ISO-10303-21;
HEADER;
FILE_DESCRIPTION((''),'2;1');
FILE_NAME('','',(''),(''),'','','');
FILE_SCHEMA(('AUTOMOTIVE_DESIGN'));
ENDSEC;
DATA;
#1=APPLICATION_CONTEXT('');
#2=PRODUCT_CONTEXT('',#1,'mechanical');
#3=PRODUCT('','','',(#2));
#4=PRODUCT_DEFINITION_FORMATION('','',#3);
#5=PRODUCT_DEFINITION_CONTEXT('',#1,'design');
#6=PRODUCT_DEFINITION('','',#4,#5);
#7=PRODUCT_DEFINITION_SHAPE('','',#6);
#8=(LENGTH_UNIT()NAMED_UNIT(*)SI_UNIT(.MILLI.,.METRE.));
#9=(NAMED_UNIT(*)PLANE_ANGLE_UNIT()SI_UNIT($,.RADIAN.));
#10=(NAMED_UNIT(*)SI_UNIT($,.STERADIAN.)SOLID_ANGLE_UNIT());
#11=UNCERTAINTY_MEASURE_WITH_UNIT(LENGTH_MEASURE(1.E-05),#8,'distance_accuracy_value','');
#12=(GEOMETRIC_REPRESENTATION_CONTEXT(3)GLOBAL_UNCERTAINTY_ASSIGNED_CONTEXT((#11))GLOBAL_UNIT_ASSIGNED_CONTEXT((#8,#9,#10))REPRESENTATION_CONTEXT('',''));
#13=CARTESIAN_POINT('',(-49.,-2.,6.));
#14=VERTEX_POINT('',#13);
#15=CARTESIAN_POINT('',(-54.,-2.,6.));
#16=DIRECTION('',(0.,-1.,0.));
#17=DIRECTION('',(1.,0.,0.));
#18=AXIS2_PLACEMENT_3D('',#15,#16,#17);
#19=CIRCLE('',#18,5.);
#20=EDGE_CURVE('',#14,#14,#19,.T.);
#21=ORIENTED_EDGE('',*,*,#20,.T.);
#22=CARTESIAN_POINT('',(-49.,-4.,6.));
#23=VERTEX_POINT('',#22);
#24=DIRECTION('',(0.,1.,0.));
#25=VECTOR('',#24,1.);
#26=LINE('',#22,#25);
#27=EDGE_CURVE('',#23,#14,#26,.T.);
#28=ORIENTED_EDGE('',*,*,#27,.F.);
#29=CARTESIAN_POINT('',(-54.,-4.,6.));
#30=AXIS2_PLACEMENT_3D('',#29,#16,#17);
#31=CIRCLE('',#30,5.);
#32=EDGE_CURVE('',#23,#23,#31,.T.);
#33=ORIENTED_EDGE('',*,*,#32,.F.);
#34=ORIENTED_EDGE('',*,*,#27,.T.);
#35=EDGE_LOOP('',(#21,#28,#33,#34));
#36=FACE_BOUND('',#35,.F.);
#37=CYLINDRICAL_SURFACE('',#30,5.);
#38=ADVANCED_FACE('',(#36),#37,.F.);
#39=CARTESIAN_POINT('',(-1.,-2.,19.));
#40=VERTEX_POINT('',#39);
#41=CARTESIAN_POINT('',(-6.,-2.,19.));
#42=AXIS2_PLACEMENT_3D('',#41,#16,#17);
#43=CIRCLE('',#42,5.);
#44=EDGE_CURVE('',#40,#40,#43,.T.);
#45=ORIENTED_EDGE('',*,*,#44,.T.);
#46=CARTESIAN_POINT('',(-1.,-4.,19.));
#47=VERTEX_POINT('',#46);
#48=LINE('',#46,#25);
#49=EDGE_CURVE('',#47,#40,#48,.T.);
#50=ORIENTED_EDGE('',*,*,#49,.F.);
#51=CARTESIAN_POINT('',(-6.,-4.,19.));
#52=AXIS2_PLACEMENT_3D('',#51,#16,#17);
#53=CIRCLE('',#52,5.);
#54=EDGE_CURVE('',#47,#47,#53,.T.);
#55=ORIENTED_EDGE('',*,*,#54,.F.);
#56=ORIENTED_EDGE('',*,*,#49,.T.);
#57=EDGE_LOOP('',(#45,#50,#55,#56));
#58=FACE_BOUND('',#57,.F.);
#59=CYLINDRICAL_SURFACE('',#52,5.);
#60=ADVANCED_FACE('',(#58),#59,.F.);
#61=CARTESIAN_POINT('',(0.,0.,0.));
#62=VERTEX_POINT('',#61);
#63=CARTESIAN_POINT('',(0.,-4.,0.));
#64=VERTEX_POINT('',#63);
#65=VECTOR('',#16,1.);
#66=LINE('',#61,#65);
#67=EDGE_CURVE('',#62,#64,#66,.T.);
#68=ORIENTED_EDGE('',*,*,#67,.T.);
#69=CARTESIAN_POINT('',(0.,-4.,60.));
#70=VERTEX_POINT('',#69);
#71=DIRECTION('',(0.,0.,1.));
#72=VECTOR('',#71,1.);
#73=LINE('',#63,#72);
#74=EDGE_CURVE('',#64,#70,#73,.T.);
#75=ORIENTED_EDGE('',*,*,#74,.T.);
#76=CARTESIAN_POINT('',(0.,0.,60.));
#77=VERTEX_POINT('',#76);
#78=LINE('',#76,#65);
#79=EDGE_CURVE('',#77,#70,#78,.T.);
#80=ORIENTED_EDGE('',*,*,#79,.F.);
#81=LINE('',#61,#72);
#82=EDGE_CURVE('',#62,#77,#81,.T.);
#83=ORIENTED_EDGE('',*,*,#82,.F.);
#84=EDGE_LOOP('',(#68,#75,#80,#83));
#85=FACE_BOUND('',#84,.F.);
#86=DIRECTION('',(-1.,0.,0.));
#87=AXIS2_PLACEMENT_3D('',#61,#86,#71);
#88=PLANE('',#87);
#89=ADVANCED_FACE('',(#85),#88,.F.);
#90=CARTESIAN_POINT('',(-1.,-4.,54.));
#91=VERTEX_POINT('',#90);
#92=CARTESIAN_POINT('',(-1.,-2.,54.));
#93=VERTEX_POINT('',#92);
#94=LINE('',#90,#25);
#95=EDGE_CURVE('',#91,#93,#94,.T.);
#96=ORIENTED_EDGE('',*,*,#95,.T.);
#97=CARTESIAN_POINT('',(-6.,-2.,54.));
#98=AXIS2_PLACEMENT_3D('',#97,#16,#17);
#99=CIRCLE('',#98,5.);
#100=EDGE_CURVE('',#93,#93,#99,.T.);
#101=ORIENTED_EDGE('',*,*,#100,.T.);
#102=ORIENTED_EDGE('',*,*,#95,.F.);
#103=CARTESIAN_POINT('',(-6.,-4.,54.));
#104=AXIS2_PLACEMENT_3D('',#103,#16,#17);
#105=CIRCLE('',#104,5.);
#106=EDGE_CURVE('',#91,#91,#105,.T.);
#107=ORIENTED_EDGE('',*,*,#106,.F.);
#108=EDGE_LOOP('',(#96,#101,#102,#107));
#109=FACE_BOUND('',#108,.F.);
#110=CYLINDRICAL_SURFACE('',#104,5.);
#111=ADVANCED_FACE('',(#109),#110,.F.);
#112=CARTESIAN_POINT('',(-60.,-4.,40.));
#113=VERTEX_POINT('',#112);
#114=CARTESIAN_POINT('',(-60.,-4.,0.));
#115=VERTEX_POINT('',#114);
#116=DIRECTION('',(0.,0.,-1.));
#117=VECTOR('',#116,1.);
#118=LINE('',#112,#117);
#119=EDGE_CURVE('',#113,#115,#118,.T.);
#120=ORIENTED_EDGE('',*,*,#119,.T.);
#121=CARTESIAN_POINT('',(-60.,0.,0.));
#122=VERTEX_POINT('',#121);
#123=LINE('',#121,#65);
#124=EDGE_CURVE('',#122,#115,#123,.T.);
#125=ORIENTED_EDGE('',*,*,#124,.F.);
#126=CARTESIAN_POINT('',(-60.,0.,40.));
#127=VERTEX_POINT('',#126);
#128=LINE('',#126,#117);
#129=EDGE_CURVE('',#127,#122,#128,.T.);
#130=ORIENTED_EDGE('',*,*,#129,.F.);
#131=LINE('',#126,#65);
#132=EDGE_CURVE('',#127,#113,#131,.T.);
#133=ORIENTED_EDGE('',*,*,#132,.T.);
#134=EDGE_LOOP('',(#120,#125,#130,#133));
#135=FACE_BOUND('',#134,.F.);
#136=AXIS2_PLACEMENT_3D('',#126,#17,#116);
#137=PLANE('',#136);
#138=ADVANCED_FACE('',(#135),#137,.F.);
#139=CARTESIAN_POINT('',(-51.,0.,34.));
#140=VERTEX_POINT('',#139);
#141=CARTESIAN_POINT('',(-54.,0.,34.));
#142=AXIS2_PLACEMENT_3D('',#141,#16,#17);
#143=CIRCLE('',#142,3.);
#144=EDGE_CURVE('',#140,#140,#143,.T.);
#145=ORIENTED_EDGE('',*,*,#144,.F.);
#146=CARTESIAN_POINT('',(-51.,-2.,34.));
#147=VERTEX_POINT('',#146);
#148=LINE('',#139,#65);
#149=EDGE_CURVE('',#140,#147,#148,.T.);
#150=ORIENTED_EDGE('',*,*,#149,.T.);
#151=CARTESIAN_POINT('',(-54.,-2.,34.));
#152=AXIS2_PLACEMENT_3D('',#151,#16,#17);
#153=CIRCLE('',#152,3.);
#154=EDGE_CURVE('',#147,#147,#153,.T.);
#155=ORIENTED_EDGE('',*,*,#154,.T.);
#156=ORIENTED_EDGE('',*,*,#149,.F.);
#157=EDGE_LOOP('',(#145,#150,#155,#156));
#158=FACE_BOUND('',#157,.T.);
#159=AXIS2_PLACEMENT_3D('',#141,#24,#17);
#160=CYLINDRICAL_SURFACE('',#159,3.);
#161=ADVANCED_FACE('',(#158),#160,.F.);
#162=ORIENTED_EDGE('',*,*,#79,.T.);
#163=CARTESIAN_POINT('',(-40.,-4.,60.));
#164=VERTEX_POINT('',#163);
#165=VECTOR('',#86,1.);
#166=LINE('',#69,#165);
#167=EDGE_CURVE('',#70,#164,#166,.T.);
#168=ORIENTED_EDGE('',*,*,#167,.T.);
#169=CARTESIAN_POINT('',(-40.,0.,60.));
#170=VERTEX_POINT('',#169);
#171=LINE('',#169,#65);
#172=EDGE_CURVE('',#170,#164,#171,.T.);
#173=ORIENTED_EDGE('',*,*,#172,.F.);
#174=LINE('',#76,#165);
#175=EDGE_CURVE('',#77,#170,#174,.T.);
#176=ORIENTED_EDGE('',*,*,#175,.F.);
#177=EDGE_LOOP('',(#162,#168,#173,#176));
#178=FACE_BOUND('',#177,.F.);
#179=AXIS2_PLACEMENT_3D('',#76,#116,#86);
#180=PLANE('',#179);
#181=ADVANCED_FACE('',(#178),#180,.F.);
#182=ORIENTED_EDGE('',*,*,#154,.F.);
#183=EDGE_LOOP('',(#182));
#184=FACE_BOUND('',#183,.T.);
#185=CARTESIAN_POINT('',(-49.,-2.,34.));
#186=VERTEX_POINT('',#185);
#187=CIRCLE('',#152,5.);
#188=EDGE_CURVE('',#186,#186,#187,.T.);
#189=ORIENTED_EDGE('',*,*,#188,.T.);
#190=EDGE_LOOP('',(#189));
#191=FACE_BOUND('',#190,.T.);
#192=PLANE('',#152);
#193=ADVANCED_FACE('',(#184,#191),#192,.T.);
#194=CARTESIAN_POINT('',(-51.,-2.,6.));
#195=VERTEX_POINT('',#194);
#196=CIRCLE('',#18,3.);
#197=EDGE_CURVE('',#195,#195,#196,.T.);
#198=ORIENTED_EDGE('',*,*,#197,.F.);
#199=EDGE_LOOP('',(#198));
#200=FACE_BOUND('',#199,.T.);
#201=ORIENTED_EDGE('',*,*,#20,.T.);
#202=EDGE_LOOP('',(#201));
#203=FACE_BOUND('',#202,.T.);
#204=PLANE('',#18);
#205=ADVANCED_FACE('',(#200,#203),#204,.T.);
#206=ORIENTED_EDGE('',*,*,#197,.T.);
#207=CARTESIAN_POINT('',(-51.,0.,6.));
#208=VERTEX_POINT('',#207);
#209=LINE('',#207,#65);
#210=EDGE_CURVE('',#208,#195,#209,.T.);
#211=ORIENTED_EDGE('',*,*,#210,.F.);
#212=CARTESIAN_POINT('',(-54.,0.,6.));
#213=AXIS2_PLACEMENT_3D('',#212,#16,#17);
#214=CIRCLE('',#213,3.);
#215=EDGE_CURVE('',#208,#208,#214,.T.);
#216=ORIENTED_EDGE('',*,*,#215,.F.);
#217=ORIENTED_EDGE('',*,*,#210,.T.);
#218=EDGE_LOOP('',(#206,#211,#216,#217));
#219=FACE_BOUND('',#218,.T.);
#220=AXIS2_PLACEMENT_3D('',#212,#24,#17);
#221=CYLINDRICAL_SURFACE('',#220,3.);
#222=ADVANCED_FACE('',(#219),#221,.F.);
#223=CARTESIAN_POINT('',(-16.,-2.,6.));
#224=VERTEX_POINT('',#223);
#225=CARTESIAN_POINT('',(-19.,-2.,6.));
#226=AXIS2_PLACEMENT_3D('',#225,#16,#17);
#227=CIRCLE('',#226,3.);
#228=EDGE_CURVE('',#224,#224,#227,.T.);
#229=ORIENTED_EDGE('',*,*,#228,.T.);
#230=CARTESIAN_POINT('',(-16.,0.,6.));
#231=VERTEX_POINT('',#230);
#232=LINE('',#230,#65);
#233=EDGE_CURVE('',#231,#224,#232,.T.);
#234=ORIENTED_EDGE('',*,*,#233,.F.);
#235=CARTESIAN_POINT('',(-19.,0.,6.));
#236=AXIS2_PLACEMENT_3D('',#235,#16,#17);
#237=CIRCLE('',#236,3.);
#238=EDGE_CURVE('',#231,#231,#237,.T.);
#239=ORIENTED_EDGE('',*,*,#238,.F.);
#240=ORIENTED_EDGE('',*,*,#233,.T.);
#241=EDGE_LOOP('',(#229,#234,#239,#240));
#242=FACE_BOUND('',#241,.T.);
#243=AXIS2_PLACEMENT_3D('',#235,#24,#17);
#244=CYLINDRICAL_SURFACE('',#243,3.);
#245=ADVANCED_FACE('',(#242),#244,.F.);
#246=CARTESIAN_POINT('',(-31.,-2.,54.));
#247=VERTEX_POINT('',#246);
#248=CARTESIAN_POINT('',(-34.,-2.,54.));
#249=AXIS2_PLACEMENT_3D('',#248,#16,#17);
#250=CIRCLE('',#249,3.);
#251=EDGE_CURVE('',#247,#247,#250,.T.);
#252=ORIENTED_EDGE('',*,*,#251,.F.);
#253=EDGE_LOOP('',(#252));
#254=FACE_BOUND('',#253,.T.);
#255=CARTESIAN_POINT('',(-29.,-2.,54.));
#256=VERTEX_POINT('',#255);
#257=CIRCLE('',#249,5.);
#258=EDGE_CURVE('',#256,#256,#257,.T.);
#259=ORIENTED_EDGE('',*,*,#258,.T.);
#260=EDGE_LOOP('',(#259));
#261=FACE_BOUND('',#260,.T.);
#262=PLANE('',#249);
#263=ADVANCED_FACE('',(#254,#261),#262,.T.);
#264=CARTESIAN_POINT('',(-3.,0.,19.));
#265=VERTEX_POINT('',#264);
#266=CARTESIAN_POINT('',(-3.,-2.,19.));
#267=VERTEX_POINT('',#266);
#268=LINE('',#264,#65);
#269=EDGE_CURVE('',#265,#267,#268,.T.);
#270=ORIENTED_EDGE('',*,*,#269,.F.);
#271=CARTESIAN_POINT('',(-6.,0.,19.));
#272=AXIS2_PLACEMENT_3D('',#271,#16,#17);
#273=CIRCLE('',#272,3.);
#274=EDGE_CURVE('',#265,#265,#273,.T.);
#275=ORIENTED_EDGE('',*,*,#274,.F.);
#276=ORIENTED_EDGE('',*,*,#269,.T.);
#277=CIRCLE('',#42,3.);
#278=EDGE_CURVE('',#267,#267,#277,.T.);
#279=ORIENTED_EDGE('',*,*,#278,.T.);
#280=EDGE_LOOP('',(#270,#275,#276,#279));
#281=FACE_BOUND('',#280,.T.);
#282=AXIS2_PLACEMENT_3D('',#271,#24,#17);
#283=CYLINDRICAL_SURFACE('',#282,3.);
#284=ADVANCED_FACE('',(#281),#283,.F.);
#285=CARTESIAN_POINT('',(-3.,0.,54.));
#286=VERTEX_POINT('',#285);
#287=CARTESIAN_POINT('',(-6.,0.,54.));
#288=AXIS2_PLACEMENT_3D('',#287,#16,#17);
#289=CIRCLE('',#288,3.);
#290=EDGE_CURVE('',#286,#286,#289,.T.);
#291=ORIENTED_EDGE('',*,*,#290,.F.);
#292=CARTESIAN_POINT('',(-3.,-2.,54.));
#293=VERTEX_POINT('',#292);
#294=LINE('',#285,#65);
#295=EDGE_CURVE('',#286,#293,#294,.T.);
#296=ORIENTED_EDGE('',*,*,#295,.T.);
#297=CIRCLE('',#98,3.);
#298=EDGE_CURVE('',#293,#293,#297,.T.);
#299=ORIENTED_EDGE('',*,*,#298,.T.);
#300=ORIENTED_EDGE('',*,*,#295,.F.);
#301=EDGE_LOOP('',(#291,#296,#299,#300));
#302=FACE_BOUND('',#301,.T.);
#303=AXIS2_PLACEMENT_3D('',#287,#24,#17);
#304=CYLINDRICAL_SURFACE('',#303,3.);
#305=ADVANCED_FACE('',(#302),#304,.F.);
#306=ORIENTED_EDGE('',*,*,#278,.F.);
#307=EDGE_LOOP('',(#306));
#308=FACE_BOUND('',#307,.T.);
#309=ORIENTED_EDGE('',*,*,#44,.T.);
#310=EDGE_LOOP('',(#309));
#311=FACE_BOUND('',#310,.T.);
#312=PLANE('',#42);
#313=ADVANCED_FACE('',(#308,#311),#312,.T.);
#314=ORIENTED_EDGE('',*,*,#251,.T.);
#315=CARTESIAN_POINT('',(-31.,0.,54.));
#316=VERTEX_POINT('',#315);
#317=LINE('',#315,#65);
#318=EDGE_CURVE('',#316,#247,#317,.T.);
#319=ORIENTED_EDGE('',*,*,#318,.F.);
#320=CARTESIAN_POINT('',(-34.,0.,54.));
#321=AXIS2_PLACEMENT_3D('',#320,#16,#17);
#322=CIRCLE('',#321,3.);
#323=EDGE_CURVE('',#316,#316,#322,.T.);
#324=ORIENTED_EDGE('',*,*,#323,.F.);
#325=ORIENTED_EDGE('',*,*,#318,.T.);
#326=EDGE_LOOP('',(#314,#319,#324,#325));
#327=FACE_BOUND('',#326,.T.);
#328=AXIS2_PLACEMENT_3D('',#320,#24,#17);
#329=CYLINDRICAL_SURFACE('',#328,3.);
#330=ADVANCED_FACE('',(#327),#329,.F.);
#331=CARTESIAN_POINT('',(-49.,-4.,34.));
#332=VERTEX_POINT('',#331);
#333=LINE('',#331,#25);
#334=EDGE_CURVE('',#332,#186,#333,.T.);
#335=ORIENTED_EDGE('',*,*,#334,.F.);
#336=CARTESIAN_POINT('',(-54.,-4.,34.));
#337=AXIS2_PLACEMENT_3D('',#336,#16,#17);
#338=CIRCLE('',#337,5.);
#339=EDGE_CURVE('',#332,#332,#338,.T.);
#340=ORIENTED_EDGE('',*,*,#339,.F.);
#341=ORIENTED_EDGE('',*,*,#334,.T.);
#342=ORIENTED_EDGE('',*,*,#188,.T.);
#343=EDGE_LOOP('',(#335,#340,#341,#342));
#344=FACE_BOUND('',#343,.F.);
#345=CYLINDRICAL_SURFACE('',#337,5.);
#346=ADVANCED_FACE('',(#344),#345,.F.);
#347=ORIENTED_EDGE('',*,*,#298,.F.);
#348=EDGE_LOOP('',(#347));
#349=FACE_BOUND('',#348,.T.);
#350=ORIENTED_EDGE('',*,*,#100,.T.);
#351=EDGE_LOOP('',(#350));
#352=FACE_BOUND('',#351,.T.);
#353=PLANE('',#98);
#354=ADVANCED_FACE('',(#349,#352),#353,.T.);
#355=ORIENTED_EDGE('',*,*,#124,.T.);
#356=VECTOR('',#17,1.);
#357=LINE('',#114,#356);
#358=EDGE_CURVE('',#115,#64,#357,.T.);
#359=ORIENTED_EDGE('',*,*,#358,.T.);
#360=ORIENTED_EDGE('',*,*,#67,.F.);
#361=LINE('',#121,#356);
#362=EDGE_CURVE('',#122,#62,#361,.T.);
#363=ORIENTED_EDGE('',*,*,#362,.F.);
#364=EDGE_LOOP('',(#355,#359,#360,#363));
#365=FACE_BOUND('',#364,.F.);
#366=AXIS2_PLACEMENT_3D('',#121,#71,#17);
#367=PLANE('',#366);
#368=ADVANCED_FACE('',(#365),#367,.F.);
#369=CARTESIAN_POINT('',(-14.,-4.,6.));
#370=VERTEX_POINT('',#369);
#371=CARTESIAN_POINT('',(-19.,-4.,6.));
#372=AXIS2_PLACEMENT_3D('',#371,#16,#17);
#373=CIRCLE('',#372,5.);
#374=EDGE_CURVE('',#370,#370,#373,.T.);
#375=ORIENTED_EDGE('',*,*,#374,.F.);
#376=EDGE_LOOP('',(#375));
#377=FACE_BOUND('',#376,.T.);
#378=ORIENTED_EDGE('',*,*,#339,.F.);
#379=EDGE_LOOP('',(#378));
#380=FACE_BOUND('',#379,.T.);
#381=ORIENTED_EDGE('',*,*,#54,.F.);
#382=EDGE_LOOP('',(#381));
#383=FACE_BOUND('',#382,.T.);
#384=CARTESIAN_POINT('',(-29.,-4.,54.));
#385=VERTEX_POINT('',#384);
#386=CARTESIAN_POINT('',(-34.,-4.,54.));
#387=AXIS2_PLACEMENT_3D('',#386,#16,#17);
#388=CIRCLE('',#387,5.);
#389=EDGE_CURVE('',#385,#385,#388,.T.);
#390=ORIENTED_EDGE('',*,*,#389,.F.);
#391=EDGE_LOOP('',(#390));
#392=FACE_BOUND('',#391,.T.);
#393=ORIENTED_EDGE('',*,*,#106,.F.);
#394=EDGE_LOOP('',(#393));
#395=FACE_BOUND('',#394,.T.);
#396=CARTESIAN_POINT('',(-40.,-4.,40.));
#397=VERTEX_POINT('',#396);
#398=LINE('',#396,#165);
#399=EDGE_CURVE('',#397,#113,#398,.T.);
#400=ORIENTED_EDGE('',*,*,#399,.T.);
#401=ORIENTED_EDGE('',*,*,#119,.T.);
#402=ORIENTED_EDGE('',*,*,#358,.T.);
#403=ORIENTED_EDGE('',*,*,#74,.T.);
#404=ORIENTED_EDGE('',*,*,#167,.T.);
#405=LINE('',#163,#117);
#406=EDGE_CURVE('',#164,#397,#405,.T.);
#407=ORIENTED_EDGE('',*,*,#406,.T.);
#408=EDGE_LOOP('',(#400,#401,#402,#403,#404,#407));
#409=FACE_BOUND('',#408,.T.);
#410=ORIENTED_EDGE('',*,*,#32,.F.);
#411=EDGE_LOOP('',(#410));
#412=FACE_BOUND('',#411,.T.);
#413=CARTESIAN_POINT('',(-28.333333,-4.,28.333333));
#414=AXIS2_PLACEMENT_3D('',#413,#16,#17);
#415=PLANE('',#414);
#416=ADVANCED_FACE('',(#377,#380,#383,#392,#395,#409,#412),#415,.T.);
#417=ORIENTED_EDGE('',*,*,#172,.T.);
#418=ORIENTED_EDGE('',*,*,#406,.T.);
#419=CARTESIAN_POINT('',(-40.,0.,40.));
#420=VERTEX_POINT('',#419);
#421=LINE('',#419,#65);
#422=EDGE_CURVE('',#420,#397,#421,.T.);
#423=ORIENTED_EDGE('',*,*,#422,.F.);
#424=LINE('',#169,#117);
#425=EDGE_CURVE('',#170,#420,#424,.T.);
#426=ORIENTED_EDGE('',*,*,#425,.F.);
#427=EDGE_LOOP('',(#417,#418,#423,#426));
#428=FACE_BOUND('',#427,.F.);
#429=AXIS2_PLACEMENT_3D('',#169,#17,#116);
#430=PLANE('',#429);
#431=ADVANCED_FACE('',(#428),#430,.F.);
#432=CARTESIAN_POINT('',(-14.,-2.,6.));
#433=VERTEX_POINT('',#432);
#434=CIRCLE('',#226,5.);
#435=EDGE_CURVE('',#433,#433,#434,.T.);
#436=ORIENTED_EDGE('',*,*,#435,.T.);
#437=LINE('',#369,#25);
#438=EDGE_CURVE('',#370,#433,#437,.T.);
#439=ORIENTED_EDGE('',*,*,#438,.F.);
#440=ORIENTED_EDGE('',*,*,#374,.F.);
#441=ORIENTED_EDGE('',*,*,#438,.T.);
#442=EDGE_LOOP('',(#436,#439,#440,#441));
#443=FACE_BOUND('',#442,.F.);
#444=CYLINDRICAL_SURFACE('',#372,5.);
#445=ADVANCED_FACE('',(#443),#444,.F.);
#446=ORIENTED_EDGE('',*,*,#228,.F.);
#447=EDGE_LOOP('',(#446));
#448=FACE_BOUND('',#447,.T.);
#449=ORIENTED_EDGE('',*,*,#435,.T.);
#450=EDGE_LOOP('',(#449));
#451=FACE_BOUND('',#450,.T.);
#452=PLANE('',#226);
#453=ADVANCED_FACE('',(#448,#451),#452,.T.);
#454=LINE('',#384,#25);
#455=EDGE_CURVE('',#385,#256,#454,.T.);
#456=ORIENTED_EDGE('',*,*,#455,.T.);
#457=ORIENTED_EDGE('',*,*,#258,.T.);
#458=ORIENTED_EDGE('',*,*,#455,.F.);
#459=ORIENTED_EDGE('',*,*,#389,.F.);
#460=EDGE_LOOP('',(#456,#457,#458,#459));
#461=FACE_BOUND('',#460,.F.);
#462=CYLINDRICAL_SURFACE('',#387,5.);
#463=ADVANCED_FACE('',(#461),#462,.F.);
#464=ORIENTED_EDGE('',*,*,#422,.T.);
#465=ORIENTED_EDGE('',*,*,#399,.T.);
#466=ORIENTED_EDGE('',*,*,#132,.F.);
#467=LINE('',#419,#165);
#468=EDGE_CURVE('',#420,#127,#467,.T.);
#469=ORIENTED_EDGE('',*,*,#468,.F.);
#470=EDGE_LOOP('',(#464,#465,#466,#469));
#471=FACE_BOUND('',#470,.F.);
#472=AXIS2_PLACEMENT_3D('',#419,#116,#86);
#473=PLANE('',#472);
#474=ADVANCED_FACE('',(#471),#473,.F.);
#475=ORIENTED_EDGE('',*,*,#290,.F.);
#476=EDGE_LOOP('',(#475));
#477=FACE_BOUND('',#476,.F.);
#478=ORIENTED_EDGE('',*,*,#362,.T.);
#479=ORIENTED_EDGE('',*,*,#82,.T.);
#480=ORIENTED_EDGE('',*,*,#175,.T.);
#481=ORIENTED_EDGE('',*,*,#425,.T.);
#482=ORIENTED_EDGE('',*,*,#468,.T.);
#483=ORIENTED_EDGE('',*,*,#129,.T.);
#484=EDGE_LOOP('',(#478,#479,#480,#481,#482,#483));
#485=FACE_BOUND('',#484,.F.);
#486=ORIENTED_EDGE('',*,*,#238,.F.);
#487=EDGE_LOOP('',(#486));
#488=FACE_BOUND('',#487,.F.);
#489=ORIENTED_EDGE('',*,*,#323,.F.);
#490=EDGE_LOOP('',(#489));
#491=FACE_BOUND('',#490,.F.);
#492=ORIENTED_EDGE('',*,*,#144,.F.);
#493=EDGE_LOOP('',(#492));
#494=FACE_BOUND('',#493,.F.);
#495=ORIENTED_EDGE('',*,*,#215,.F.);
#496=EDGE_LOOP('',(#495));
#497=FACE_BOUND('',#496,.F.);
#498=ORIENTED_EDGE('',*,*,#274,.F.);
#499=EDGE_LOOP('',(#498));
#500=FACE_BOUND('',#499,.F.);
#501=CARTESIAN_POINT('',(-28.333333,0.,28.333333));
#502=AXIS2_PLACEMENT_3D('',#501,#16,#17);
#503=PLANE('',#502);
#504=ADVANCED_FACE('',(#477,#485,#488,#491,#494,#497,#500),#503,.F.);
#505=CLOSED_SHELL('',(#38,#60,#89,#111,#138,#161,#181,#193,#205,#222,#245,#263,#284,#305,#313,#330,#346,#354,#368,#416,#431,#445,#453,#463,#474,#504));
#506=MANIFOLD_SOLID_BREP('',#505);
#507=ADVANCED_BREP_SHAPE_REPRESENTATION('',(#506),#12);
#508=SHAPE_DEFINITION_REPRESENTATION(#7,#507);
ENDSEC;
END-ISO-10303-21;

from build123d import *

# Parameters (mm, degrees)
F0_R     = 3
F1_DEPTH = 4
F2_R     = 5
F2_R_2   = 3
F3_DEPTH = 2


with BuildPart() as f1:
    # F0 (on Front) → F1 (new body)
    with BuildSketch(Plane.XZ):
        Polygon((-60, 0), (0, 0), (0, 40), (0, 60), (-40, 60), (-40, 40), (-60, 40), align=None)
        with Locations((-54, 6)):
            Circle(F0_R, mode=Mode.SUBTRACT)
        with Locations((-19, 6)):
            Circle(F0_R, mode=Mode.SUBTRACT)
        with Locations((-6, 19)):
            Circle(F0_R, mode=Mode.SUBTRACT)
        with Locations((-54, 34)):
            Circle(F0_R, mode=Mode.SUBTRACT)
        with Locations((-34, 54)):
            Circle(F0_R, mode=Mode.SUBTRACT)
        with Locations((-6, 54)):
            Circle(F0_R, mode=Mode.SUBTRACT)
    extrude(amount=F1_DEPTH)

    # F2 (on face) → F3 (cut)
    with BuildSketch(Plane.XZ.offset(4)):
        with Locations((-54, 34)):
            Circle(F2_R)
        with Locations((-54, 34)):
            Circle(F2_R_2, mode=Mode.SUBTRACT)
        with Locations((-34, 54)):
            Circle(F2_R)
        with Locations((-34, 54)):
            Circle(F2_R_2, mode=Mode.SUBTRACT)
        with Locations((-6, 54)):
            Circle(F2_R)
        with Locations((-6, 54)):
            Circle(F2_R_2, mode=Mode.SUBTRACT)
        with Locations((-6, 19)):
            Circle(F2_R)
        with Locations((-6, 19)):
            Circle(F2_R_2, mode=Mode.SUBTRACT)
        with Locations((-19, 6)):
            Circle(F2_R)
        with Locations((-19, 6)):
            Circle(F2_R_2, mode=Mode.SUBTRACT)
        with Locations((-54, 6)):
            Circle(F2_R)
        with Locations((-54, 6)):
            Circle(F2_R_2, mode=Mode.SUBTRACT)
    extrude(amount=-F3_DEPTH, mode=Mode.SUBTRACT)


solid = f1.part
